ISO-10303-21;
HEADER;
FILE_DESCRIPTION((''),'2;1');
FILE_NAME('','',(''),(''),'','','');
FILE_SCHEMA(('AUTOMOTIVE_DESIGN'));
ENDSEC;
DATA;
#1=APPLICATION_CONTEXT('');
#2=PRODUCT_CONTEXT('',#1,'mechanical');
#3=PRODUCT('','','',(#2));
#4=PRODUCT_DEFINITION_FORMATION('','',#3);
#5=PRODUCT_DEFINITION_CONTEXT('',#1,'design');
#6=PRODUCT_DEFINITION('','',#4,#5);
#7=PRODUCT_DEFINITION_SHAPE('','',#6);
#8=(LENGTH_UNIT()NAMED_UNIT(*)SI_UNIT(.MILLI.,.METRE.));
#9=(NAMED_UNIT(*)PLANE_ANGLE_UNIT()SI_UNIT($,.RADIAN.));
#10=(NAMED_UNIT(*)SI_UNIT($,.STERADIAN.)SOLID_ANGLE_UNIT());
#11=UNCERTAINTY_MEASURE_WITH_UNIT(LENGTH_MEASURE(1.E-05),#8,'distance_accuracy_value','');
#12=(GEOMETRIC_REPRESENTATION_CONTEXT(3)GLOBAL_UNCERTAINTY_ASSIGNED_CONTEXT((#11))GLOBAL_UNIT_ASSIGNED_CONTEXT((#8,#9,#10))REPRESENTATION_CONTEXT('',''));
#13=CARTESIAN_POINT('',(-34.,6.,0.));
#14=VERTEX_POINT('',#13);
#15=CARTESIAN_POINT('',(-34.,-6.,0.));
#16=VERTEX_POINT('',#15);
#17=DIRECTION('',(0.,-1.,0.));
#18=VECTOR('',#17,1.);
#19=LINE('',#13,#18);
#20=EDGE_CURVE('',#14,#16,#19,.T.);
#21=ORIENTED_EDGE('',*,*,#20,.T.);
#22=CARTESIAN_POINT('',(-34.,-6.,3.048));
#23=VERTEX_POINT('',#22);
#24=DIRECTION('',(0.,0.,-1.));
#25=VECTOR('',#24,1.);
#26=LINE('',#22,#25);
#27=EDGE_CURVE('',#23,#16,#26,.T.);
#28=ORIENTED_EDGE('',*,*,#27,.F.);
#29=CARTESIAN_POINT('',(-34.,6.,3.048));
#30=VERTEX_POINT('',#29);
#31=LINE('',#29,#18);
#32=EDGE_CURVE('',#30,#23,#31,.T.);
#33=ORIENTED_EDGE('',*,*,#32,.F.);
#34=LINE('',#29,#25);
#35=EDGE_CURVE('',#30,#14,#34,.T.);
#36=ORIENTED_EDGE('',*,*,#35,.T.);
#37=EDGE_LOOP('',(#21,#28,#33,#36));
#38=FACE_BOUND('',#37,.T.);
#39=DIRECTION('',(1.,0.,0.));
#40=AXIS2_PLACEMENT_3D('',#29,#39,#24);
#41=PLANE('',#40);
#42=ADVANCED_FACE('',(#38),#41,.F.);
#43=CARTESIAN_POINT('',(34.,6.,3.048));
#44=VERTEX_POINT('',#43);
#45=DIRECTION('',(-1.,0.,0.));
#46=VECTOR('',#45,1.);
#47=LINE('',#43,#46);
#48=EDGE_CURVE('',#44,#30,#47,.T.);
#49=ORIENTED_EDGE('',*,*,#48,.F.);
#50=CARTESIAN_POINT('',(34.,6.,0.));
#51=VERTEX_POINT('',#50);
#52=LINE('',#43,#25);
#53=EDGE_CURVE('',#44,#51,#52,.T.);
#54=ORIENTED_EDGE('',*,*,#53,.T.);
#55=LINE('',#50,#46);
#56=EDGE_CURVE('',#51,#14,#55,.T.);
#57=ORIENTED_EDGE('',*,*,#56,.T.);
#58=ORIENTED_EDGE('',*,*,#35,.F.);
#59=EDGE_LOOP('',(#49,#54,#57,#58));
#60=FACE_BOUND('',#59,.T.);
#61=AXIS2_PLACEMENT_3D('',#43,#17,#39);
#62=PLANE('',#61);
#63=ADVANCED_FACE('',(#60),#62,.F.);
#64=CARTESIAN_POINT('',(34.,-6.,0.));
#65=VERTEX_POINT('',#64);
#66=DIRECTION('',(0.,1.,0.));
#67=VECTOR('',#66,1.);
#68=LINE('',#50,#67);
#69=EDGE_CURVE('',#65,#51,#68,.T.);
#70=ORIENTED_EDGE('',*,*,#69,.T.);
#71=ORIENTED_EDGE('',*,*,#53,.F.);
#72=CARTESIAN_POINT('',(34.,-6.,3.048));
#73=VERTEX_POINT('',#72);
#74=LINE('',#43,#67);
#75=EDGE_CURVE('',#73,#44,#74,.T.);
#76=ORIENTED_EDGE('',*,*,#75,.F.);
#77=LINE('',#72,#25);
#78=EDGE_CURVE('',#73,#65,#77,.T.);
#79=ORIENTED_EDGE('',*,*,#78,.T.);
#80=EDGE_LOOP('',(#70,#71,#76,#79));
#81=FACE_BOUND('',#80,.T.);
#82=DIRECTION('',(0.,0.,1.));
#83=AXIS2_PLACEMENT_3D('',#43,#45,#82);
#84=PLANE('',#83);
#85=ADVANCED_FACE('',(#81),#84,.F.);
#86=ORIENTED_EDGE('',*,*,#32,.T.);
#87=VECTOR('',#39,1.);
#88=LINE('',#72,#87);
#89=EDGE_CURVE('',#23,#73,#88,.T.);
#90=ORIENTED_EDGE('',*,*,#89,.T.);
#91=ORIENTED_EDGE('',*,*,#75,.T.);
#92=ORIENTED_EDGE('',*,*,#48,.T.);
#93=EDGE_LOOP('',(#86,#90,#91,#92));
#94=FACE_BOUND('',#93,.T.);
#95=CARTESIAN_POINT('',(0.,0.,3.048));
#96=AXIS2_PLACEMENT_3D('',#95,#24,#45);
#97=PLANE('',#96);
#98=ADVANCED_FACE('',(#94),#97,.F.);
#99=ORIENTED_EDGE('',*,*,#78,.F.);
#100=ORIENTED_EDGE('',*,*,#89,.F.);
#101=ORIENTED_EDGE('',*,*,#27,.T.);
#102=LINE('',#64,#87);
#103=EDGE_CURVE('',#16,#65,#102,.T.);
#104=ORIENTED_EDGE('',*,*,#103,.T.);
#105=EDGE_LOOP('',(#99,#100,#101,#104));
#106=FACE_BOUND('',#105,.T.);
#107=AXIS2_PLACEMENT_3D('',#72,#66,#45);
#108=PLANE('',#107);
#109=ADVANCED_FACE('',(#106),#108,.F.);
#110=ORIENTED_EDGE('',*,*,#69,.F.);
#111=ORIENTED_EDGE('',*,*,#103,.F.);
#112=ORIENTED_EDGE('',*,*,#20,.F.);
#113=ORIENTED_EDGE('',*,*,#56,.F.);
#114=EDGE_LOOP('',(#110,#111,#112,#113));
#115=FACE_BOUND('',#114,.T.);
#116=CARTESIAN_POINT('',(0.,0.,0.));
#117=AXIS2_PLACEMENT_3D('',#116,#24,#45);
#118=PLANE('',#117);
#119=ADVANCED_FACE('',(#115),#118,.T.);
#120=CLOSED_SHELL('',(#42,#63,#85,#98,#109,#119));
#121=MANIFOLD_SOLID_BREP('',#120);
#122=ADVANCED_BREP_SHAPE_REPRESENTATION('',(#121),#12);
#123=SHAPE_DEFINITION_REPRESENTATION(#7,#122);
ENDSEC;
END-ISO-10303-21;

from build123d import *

# Parameters (mm, degrees)
SKETCH1_W           = 68
SKETCH1_H           = 12
BOSS_EXTRUDE1_DEPTH = 3.048


with BuildPart() as part:
    # Sketch1 → Boss-Extrude1 (new body)
    with BuildSketch(Plane.XY):
        Rectangle(SKETCH1_W, SKETCH1_H)
    extrude(amount=BOSS_EXTRUDE1_DEPTH)


solid = part.part
